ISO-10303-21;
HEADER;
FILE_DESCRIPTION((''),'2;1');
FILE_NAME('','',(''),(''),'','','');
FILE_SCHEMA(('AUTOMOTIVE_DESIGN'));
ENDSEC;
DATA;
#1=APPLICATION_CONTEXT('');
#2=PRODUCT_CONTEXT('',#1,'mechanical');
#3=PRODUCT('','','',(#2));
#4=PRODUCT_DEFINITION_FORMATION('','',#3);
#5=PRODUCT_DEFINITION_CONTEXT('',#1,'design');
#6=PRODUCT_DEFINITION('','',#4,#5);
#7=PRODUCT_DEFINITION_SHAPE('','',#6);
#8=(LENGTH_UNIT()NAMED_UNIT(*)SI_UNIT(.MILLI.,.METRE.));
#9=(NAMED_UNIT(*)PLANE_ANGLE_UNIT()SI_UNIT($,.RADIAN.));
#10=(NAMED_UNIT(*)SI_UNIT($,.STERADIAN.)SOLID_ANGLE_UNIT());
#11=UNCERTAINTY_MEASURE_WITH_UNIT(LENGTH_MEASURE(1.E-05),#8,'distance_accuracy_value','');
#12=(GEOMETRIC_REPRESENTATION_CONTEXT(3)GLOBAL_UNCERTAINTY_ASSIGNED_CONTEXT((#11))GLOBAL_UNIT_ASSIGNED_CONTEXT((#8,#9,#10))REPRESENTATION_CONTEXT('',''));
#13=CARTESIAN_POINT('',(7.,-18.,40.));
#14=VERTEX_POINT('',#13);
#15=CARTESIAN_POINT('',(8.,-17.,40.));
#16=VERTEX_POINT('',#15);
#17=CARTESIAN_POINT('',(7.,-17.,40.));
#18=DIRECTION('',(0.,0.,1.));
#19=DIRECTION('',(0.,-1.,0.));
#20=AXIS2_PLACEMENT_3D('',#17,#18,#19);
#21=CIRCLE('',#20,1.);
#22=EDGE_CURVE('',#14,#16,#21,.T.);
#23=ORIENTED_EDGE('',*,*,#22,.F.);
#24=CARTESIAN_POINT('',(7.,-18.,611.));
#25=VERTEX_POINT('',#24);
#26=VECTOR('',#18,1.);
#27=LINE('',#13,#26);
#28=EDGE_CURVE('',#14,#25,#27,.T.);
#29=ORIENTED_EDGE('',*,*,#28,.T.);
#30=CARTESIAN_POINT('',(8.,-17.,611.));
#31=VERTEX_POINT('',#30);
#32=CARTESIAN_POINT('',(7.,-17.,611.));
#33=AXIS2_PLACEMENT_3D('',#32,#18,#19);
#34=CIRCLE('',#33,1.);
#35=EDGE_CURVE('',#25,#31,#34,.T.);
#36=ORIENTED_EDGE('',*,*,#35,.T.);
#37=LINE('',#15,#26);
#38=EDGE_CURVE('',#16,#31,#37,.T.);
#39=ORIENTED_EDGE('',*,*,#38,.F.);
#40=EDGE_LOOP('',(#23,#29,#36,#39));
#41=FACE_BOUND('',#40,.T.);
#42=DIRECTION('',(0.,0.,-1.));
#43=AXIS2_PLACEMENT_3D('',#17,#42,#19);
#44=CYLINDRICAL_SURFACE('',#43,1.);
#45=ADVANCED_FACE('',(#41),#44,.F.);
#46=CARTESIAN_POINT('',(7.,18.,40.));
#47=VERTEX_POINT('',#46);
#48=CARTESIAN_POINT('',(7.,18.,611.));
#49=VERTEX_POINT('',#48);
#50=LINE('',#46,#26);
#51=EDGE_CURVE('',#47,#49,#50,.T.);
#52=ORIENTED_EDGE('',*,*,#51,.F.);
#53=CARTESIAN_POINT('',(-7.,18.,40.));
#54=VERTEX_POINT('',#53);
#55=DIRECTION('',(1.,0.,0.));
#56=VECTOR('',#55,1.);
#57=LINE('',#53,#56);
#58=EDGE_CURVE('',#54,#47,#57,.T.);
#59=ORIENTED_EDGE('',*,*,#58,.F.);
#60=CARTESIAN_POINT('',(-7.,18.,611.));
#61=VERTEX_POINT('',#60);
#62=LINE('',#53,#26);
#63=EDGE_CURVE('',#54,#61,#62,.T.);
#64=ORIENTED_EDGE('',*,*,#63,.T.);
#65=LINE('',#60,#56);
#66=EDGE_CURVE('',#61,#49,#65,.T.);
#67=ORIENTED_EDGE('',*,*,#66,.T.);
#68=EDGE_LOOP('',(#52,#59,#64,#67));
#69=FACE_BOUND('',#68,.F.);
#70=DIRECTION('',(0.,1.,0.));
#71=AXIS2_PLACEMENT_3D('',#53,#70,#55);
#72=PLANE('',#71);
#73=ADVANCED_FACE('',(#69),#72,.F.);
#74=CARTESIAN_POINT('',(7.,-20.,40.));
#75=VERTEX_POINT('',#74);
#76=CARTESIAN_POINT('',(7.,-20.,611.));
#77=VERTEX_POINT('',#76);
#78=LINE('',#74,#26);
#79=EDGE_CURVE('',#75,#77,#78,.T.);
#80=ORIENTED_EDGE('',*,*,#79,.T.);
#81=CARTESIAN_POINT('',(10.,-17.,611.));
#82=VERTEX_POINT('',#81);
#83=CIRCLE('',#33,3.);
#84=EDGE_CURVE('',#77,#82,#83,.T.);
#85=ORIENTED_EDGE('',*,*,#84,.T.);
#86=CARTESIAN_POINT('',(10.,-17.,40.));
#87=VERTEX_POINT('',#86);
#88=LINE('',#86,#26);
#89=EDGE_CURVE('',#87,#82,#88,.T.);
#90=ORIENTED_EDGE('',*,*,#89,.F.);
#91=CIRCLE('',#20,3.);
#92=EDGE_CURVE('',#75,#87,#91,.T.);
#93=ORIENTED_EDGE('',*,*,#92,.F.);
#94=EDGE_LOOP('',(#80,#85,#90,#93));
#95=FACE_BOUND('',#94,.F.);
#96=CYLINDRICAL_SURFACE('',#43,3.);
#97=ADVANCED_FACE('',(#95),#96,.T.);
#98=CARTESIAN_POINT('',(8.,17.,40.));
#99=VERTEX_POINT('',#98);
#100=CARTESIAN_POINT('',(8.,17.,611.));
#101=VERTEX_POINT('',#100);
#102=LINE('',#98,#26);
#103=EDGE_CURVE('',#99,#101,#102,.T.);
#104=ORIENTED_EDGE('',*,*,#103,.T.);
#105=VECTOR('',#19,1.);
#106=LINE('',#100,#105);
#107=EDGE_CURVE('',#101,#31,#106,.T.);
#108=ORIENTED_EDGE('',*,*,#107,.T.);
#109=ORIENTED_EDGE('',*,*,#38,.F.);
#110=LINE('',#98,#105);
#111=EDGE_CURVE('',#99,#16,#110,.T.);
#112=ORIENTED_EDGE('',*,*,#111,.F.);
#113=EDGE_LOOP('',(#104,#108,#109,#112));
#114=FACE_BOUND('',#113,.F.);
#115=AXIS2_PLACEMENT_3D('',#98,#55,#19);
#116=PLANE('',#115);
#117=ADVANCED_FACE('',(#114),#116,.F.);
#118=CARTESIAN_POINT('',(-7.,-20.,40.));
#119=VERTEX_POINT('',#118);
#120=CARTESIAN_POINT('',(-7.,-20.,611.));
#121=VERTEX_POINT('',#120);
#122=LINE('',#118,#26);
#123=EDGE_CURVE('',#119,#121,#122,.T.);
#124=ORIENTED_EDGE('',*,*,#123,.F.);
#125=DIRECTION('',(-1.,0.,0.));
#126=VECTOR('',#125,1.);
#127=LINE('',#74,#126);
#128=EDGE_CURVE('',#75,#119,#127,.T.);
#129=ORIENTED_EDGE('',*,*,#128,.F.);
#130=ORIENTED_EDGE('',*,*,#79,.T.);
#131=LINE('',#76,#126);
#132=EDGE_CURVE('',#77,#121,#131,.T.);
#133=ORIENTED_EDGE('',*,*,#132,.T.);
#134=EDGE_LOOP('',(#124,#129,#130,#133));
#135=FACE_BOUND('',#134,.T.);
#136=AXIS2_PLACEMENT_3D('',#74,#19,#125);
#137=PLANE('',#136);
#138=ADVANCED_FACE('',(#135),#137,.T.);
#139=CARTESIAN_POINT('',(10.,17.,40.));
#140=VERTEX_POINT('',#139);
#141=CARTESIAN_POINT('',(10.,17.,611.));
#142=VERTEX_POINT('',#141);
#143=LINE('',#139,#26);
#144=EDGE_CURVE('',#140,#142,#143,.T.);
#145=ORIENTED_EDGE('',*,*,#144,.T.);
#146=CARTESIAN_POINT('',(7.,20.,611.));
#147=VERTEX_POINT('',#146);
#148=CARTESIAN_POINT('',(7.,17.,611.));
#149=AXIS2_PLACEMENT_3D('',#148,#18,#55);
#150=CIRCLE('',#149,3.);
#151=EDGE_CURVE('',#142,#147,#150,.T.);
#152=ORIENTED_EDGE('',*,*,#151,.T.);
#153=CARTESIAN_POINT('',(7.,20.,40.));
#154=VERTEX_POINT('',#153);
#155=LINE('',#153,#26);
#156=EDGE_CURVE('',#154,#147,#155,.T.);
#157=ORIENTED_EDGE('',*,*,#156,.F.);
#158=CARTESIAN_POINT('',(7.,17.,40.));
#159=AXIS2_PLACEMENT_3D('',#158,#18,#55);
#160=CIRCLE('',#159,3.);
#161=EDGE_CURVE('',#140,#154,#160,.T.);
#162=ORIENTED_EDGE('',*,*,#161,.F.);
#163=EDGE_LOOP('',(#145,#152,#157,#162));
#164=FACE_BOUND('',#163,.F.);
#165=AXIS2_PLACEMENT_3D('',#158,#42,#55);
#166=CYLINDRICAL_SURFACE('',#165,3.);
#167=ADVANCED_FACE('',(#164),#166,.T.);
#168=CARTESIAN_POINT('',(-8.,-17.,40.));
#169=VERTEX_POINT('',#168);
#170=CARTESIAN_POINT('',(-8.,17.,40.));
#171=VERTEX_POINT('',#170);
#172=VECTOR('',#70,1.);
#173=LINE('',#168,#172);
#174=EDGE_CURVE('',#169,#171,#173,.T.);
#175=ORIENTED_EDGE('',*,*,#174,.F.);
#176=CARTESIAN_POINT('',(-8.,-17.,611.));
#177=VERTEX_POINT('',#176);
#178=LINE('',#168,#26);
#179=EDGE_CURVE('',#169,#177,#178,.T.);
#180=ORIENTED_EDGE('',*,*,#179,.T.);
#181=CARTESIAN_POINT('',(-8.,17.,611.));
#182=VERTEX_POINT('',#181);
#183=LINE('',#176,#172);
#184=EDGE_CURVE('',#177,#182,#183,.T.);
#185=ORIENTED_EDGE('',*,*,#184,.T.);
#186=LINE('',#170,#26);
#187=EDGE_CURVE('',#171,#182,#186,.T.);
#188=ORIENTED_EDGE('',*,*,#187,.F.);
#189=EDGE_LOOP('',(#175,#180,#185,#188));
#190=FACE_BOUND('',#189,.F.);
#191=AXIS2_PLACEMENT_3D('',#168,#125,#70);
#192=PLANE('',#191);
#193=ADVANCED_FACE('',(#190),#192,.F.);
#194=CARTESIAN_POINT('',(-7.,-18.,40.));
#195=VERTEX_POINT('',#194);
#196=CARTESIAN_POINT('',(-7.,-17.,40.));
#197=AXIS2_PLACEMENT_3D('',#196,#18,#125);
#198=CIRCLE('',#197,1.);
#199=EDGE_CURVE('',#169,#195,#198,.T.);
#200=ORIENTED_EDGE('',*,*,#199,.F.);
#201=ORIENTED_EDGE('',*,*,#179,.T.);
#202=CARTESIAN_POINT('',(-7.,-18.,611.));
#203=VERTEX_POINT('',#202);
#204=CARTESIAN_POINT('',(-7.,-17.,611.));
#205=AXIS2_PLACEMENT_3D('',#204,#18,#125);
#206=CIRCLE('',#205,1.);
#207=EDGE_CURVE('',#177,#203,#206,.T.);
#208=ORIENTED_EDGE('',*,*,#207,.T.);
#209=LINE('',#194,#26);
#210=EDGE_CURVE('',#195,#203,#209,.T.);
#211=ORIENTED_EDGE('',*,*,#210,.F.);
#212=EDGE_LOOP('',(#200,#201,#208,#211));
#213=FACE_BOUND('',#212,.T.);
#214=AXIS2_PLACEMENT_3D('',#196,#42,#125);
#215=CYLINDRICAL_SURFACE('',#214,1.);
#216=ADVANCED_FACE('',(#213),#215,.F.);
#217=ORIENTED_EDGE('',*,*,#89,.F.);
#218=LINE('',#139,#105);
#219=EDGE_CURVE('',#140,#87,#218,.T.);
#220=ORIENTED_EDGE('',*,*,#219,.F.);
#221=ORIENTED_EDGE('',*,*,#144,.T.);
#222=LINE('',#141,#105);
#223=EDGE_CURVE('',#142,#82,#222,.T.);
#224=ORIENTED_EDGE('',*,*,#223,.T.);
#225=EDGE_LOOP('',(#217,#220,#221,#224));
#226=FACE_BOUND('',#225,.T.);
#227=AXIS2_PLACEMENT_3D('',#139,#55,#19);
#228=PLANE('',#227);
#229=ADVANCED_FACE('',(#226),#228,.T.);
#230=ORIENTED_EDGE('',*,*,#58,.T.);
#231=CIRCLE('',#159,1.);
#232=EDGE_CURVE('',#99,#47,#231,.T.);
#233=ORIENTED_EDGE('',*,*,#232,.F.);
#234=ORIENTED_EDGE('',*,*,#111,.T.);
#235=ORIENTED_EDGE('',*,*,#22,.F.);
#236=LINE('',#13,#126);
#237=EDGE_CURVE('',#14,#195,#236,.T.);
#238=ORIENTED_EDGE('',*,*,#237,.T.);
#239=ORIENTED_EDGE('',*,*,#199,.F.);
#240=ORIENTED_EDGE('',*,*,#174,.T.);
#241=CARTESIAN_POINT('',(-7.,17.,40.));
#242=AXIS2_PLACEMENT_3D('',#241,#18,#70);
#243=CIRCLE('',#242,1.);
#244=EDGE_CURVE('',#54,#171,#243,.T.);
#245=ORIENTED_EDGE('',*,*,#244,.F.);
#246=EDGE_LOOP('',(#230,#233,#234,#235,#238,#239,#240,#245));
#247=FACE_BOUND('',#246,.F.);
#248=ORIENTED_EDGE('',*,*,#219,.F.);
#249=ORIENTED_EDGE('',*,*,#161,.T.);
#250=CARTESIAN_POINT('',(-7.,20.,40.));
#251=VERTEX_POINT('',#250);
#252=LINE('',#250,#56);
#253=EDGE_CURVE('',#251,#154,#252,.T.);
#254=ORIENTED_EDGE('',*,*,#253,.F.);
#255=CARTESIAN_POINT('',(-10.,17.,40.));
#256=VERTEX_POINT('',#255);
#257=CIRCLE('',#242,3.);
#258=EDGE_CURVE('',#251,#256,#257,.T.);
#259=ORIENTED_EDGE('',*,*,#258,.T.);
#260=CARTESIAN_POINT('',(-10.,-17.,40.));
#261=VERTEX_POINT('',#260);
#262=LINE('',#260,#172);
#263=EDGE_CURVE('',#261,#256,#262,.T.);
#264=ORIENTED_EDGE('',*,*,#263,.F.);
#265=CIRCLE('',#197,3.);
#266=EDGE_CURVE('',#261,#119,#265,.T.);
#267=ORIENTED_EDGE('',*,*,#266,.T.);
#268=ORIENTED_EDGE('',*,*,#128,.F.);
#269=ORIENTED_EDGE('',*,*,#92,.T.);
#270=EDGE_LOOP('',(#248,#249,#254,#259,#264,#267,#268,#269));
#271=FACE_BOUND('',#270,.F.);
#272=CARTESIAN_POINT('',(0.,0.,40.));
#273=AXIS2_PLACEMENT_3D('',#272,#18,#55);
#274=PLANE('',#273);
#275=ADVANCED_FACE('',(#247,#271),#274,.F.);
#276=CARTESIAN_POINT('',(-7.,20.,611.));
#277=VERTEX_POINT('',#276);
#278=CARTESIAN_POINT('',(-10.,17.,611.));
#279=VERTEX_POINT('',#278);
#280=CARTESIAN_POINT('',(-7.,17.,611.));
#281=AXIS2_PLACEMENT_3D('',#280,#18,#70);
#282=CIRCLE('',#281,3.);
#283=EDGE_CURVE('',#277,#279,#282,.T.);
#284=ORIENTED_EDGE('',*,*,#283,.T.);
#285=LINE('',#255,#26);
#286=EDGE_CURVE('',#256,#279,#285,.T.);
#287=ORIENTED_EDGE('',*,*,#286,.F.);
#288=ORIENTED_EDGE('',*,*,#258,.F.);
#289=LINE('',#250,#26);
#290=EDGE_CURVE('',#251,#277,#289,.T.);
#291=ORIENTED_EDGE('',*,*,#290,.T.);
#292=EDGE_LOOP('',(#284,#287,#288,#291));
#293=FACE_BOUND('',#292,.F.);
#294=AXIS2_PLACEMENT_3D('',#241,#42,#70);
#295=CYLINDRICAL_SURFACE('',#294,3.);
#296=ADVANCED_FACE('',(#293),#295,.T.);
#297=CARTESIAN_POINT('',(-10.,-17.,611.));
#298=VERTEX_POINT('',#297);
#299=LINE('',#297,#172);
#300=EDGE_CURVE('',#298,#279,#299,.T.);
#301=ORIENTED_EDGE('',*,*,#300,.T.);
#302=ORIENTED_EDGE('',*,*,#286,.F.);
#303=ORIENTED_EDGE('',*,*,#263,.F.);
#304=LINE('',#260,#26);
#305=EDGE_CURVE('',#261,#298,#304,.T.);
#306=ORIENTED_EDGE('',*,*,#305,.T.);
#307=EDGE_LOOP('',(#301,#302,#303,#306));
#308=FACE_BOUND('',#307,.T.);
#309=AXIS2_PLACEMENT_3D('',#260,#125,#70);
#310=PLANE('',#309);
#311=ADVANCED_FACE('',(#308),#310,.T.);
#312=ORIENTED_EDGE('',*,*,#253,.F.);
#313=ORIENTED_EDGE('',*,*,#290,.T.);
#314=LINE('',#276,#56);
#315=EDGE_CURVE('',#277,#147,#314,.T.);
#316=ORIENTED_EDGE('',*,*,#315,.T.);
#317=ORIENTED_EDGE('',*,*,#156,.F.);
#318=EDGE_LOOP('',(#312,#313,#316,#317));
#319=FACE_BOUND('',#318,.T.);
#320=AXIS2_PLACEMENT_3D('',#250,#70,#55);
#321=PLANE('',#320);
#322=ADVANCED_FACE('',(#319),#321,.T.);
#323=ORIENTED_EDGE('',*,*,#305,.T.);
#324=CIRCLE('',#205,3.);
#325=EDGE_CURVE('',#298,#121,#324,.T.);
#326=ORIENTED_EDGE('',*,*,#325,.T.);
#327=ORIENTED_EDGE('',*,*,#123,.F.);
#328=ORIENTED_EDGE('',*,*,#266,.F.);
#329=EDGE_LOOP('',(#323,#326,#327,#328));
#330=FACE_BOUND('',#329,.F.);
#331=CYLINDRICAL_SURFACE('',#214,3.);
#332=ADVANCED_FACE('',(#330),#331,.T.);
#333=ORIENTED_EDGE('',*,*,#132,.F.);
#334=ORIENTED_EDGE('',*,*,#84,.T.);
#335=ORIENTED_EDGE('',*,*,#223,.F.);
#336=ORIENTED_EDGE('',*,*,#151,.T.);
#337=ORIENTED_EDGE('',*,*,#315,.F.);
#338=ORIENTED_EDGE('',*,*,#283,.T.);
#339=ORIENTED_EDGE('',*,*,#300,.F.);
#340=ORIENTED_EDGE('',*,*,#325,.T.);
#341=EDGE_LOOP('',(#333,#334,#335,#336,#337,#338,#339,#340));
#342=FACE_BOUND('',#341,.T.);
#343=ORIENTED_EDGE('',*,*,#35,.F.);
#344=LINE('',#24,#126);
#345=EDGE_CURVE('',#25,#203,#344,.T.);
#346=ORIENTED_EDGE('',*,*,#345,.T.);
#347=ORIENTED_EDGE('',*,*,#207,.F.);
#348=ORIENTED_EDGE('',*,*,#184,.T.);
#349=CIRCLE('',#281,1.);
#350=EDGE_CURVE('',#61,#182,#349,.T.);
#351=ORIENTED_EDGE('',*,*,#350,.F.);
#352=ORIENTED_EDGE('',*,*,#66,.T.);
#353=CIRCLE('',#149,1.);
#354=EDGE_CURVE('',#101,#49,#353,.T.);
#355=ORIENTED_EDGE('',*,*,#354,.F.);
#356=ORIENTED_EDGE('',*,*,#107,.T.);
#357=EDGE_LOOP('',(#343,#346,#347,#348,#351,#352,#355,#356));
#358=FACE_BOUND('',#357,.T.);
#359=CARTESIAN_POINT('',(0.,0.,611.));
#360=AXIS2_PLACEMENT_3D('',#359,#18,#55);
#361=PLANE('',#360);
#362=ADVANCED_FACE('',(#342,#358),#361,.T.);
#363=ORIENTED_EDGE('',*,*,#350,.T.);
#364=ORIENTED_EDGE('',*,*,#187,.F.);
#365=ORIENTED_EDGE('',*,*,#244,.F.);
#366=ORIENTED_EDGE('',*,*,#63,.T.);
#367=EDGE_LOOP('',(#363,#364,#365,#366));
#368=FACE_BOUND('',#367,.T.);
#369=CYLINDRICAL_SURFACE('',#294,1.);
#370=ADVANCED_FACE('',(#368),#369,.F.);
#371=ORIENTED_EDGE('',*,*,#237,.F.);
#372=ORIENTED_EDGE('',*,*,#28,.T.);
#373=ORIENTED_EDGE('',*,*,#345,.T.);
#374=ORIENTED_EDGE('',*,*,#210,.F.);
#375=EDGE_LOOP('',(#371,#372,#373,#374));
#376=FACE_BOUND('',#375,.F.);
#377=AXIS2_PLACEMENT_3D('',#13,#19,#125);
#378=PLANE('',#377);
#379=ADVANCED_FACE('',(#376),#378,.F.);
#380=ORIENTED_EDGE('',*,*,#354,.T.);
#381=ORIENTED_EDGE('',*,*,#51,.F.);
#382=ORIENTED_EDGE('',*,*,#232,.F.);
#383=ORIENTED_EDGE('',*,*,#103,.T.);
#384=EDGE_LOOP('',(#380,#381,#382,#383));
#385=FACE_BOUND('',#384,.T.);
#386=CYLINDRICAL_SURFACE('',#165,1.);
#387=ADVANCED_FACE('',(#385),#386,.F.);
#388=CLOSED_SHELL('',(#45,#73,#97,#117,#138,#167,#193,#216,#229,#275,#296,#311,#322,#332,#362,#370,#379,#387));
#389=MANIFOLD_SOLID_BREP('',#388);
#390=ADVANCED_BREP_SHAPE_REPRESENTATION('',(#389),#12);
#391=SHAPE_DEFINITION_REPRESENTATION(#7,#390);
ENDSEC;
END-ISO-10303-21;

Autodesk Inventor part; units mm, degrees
ref_plane "Start plane" through (0, 0, 40) normal (0, 0, 1) x (1, 0, 0)
ref_plane "End plane" through (0, 0, 611) normal (0, 0, 1) x (1, 0, 0)
sketch "Sketch" plane through (0, 0, 0) normal (0, 0, 1) x (1, 0, 0)
  line L0 (-10, -17) -> (-10, 17)
  line L1 (-7, 20) -> (7, 20)
  line L2 (10, 17) -> (10, -17)
  line L3 (7, -20) -> (-7, -20)
  arc A0 (-10, -17) -> (-7, -20) centre (-7, -17) ccw
  arc A1 (-7, 20) -> (-10, 17) centre (-7, 17) ccw
  arc A2 (10, 17) -> (7, 20) centre (7, 17) ccw
  arc A3 (7, -20) -> (10, -17) centre (7, -17) ccw
  arc A4 (-7, 18) -> (-8, 17) centre (-7, 17) ccw
  line L4 (-7, 18) -> (7, 18)
  arc A5 (8, 17) -> (7, 18) centre (7, 17) ccw
  line L5 (8, 17) -> (8, -17)
  arc A6 (7, -18) -> (8, -17) centre (7, -17) ccw
  line L6 (7, -18) -> (-7, -18)
  arc A7 (-8, -17) -> (-7, -18) centre (-7, -17) ccw
  line L7 (-8, -17) -> (-8, 17)
  line L8 (0, 28.8698) -> (0, -28.8698) construction
  line L9 (-14.8698, 0) -> (14.8698, 0) construction
  dimension "d7" = 3
  dimension "d10" = 40
  dimension "d11" = 20
  dimension "d12" = 2
  dimension "d15" = 20
  dimension "d16" = 10
extrude "Body" add sketch "Sketch" along normal up to surface (571 mm away) from surface at 40
sketch "Sketch3" plane through (0, 0, 0) normal (0, 0, 1) x (1, 0, 0)
  line L0 (0, 0) -> (10, 0)
ref_plane "Work Plane3" through (0, 0, 0) normal (0, -1, 0) x (1, 0, 0)
sketch "Sketch4" plane through (0, 0, 0) normal (0, -1, 0) x (1, 0, 0)
  line L0 (-2, 40) -> (12, 40)
  line L1 (-2, 611) -> (12, 611)
  dimension "d18" = 571
ref_plane "Work Plane4" through (-7, 390, 40) normal (0, 0, -1) x (-1, 0, 0)
split "Split1" plane through (-7, 390, 40) removes the side toward (0, 0, -1)
ref_plane "Work Plane5" through (7, 620, 611) normal (0, 0, 1) x (1, 0, 0)
split "Split2" plane through (7, 620, 611) removes the side toward (0, 0, 1)
equation "\"d7\" = G_IR"
equation "\"d10\" = G_H"
equation "\"d11\" = G_W"
equation "\"d12\" = G_T"
equation "\"d15\" = 0.5 * d10"
equation "\"d16\" = 0.5 * d11"
equation "\"d3\" = G_L"
equation "\"G_W\" = 20"
equation "\"G_H\" = 40"
equation "\"G_T\" = 2"
equation "\"G_IR\" = 3"
equation "\"G_L\" = d18"
equation "\"G_OFFSET_START\" = -40"
equation "\"G_OFFSET_END\" = -40"
equation "\"d13\" = -G_OFFSET_START"
equation "\"d14\" = G_OFFSET_END + B_L"
equation "\"B_L\" = 651"
properties part number "UNI EN 10305-5 - 40 x 20 x 2  - 571" material "Steel, Mild"
